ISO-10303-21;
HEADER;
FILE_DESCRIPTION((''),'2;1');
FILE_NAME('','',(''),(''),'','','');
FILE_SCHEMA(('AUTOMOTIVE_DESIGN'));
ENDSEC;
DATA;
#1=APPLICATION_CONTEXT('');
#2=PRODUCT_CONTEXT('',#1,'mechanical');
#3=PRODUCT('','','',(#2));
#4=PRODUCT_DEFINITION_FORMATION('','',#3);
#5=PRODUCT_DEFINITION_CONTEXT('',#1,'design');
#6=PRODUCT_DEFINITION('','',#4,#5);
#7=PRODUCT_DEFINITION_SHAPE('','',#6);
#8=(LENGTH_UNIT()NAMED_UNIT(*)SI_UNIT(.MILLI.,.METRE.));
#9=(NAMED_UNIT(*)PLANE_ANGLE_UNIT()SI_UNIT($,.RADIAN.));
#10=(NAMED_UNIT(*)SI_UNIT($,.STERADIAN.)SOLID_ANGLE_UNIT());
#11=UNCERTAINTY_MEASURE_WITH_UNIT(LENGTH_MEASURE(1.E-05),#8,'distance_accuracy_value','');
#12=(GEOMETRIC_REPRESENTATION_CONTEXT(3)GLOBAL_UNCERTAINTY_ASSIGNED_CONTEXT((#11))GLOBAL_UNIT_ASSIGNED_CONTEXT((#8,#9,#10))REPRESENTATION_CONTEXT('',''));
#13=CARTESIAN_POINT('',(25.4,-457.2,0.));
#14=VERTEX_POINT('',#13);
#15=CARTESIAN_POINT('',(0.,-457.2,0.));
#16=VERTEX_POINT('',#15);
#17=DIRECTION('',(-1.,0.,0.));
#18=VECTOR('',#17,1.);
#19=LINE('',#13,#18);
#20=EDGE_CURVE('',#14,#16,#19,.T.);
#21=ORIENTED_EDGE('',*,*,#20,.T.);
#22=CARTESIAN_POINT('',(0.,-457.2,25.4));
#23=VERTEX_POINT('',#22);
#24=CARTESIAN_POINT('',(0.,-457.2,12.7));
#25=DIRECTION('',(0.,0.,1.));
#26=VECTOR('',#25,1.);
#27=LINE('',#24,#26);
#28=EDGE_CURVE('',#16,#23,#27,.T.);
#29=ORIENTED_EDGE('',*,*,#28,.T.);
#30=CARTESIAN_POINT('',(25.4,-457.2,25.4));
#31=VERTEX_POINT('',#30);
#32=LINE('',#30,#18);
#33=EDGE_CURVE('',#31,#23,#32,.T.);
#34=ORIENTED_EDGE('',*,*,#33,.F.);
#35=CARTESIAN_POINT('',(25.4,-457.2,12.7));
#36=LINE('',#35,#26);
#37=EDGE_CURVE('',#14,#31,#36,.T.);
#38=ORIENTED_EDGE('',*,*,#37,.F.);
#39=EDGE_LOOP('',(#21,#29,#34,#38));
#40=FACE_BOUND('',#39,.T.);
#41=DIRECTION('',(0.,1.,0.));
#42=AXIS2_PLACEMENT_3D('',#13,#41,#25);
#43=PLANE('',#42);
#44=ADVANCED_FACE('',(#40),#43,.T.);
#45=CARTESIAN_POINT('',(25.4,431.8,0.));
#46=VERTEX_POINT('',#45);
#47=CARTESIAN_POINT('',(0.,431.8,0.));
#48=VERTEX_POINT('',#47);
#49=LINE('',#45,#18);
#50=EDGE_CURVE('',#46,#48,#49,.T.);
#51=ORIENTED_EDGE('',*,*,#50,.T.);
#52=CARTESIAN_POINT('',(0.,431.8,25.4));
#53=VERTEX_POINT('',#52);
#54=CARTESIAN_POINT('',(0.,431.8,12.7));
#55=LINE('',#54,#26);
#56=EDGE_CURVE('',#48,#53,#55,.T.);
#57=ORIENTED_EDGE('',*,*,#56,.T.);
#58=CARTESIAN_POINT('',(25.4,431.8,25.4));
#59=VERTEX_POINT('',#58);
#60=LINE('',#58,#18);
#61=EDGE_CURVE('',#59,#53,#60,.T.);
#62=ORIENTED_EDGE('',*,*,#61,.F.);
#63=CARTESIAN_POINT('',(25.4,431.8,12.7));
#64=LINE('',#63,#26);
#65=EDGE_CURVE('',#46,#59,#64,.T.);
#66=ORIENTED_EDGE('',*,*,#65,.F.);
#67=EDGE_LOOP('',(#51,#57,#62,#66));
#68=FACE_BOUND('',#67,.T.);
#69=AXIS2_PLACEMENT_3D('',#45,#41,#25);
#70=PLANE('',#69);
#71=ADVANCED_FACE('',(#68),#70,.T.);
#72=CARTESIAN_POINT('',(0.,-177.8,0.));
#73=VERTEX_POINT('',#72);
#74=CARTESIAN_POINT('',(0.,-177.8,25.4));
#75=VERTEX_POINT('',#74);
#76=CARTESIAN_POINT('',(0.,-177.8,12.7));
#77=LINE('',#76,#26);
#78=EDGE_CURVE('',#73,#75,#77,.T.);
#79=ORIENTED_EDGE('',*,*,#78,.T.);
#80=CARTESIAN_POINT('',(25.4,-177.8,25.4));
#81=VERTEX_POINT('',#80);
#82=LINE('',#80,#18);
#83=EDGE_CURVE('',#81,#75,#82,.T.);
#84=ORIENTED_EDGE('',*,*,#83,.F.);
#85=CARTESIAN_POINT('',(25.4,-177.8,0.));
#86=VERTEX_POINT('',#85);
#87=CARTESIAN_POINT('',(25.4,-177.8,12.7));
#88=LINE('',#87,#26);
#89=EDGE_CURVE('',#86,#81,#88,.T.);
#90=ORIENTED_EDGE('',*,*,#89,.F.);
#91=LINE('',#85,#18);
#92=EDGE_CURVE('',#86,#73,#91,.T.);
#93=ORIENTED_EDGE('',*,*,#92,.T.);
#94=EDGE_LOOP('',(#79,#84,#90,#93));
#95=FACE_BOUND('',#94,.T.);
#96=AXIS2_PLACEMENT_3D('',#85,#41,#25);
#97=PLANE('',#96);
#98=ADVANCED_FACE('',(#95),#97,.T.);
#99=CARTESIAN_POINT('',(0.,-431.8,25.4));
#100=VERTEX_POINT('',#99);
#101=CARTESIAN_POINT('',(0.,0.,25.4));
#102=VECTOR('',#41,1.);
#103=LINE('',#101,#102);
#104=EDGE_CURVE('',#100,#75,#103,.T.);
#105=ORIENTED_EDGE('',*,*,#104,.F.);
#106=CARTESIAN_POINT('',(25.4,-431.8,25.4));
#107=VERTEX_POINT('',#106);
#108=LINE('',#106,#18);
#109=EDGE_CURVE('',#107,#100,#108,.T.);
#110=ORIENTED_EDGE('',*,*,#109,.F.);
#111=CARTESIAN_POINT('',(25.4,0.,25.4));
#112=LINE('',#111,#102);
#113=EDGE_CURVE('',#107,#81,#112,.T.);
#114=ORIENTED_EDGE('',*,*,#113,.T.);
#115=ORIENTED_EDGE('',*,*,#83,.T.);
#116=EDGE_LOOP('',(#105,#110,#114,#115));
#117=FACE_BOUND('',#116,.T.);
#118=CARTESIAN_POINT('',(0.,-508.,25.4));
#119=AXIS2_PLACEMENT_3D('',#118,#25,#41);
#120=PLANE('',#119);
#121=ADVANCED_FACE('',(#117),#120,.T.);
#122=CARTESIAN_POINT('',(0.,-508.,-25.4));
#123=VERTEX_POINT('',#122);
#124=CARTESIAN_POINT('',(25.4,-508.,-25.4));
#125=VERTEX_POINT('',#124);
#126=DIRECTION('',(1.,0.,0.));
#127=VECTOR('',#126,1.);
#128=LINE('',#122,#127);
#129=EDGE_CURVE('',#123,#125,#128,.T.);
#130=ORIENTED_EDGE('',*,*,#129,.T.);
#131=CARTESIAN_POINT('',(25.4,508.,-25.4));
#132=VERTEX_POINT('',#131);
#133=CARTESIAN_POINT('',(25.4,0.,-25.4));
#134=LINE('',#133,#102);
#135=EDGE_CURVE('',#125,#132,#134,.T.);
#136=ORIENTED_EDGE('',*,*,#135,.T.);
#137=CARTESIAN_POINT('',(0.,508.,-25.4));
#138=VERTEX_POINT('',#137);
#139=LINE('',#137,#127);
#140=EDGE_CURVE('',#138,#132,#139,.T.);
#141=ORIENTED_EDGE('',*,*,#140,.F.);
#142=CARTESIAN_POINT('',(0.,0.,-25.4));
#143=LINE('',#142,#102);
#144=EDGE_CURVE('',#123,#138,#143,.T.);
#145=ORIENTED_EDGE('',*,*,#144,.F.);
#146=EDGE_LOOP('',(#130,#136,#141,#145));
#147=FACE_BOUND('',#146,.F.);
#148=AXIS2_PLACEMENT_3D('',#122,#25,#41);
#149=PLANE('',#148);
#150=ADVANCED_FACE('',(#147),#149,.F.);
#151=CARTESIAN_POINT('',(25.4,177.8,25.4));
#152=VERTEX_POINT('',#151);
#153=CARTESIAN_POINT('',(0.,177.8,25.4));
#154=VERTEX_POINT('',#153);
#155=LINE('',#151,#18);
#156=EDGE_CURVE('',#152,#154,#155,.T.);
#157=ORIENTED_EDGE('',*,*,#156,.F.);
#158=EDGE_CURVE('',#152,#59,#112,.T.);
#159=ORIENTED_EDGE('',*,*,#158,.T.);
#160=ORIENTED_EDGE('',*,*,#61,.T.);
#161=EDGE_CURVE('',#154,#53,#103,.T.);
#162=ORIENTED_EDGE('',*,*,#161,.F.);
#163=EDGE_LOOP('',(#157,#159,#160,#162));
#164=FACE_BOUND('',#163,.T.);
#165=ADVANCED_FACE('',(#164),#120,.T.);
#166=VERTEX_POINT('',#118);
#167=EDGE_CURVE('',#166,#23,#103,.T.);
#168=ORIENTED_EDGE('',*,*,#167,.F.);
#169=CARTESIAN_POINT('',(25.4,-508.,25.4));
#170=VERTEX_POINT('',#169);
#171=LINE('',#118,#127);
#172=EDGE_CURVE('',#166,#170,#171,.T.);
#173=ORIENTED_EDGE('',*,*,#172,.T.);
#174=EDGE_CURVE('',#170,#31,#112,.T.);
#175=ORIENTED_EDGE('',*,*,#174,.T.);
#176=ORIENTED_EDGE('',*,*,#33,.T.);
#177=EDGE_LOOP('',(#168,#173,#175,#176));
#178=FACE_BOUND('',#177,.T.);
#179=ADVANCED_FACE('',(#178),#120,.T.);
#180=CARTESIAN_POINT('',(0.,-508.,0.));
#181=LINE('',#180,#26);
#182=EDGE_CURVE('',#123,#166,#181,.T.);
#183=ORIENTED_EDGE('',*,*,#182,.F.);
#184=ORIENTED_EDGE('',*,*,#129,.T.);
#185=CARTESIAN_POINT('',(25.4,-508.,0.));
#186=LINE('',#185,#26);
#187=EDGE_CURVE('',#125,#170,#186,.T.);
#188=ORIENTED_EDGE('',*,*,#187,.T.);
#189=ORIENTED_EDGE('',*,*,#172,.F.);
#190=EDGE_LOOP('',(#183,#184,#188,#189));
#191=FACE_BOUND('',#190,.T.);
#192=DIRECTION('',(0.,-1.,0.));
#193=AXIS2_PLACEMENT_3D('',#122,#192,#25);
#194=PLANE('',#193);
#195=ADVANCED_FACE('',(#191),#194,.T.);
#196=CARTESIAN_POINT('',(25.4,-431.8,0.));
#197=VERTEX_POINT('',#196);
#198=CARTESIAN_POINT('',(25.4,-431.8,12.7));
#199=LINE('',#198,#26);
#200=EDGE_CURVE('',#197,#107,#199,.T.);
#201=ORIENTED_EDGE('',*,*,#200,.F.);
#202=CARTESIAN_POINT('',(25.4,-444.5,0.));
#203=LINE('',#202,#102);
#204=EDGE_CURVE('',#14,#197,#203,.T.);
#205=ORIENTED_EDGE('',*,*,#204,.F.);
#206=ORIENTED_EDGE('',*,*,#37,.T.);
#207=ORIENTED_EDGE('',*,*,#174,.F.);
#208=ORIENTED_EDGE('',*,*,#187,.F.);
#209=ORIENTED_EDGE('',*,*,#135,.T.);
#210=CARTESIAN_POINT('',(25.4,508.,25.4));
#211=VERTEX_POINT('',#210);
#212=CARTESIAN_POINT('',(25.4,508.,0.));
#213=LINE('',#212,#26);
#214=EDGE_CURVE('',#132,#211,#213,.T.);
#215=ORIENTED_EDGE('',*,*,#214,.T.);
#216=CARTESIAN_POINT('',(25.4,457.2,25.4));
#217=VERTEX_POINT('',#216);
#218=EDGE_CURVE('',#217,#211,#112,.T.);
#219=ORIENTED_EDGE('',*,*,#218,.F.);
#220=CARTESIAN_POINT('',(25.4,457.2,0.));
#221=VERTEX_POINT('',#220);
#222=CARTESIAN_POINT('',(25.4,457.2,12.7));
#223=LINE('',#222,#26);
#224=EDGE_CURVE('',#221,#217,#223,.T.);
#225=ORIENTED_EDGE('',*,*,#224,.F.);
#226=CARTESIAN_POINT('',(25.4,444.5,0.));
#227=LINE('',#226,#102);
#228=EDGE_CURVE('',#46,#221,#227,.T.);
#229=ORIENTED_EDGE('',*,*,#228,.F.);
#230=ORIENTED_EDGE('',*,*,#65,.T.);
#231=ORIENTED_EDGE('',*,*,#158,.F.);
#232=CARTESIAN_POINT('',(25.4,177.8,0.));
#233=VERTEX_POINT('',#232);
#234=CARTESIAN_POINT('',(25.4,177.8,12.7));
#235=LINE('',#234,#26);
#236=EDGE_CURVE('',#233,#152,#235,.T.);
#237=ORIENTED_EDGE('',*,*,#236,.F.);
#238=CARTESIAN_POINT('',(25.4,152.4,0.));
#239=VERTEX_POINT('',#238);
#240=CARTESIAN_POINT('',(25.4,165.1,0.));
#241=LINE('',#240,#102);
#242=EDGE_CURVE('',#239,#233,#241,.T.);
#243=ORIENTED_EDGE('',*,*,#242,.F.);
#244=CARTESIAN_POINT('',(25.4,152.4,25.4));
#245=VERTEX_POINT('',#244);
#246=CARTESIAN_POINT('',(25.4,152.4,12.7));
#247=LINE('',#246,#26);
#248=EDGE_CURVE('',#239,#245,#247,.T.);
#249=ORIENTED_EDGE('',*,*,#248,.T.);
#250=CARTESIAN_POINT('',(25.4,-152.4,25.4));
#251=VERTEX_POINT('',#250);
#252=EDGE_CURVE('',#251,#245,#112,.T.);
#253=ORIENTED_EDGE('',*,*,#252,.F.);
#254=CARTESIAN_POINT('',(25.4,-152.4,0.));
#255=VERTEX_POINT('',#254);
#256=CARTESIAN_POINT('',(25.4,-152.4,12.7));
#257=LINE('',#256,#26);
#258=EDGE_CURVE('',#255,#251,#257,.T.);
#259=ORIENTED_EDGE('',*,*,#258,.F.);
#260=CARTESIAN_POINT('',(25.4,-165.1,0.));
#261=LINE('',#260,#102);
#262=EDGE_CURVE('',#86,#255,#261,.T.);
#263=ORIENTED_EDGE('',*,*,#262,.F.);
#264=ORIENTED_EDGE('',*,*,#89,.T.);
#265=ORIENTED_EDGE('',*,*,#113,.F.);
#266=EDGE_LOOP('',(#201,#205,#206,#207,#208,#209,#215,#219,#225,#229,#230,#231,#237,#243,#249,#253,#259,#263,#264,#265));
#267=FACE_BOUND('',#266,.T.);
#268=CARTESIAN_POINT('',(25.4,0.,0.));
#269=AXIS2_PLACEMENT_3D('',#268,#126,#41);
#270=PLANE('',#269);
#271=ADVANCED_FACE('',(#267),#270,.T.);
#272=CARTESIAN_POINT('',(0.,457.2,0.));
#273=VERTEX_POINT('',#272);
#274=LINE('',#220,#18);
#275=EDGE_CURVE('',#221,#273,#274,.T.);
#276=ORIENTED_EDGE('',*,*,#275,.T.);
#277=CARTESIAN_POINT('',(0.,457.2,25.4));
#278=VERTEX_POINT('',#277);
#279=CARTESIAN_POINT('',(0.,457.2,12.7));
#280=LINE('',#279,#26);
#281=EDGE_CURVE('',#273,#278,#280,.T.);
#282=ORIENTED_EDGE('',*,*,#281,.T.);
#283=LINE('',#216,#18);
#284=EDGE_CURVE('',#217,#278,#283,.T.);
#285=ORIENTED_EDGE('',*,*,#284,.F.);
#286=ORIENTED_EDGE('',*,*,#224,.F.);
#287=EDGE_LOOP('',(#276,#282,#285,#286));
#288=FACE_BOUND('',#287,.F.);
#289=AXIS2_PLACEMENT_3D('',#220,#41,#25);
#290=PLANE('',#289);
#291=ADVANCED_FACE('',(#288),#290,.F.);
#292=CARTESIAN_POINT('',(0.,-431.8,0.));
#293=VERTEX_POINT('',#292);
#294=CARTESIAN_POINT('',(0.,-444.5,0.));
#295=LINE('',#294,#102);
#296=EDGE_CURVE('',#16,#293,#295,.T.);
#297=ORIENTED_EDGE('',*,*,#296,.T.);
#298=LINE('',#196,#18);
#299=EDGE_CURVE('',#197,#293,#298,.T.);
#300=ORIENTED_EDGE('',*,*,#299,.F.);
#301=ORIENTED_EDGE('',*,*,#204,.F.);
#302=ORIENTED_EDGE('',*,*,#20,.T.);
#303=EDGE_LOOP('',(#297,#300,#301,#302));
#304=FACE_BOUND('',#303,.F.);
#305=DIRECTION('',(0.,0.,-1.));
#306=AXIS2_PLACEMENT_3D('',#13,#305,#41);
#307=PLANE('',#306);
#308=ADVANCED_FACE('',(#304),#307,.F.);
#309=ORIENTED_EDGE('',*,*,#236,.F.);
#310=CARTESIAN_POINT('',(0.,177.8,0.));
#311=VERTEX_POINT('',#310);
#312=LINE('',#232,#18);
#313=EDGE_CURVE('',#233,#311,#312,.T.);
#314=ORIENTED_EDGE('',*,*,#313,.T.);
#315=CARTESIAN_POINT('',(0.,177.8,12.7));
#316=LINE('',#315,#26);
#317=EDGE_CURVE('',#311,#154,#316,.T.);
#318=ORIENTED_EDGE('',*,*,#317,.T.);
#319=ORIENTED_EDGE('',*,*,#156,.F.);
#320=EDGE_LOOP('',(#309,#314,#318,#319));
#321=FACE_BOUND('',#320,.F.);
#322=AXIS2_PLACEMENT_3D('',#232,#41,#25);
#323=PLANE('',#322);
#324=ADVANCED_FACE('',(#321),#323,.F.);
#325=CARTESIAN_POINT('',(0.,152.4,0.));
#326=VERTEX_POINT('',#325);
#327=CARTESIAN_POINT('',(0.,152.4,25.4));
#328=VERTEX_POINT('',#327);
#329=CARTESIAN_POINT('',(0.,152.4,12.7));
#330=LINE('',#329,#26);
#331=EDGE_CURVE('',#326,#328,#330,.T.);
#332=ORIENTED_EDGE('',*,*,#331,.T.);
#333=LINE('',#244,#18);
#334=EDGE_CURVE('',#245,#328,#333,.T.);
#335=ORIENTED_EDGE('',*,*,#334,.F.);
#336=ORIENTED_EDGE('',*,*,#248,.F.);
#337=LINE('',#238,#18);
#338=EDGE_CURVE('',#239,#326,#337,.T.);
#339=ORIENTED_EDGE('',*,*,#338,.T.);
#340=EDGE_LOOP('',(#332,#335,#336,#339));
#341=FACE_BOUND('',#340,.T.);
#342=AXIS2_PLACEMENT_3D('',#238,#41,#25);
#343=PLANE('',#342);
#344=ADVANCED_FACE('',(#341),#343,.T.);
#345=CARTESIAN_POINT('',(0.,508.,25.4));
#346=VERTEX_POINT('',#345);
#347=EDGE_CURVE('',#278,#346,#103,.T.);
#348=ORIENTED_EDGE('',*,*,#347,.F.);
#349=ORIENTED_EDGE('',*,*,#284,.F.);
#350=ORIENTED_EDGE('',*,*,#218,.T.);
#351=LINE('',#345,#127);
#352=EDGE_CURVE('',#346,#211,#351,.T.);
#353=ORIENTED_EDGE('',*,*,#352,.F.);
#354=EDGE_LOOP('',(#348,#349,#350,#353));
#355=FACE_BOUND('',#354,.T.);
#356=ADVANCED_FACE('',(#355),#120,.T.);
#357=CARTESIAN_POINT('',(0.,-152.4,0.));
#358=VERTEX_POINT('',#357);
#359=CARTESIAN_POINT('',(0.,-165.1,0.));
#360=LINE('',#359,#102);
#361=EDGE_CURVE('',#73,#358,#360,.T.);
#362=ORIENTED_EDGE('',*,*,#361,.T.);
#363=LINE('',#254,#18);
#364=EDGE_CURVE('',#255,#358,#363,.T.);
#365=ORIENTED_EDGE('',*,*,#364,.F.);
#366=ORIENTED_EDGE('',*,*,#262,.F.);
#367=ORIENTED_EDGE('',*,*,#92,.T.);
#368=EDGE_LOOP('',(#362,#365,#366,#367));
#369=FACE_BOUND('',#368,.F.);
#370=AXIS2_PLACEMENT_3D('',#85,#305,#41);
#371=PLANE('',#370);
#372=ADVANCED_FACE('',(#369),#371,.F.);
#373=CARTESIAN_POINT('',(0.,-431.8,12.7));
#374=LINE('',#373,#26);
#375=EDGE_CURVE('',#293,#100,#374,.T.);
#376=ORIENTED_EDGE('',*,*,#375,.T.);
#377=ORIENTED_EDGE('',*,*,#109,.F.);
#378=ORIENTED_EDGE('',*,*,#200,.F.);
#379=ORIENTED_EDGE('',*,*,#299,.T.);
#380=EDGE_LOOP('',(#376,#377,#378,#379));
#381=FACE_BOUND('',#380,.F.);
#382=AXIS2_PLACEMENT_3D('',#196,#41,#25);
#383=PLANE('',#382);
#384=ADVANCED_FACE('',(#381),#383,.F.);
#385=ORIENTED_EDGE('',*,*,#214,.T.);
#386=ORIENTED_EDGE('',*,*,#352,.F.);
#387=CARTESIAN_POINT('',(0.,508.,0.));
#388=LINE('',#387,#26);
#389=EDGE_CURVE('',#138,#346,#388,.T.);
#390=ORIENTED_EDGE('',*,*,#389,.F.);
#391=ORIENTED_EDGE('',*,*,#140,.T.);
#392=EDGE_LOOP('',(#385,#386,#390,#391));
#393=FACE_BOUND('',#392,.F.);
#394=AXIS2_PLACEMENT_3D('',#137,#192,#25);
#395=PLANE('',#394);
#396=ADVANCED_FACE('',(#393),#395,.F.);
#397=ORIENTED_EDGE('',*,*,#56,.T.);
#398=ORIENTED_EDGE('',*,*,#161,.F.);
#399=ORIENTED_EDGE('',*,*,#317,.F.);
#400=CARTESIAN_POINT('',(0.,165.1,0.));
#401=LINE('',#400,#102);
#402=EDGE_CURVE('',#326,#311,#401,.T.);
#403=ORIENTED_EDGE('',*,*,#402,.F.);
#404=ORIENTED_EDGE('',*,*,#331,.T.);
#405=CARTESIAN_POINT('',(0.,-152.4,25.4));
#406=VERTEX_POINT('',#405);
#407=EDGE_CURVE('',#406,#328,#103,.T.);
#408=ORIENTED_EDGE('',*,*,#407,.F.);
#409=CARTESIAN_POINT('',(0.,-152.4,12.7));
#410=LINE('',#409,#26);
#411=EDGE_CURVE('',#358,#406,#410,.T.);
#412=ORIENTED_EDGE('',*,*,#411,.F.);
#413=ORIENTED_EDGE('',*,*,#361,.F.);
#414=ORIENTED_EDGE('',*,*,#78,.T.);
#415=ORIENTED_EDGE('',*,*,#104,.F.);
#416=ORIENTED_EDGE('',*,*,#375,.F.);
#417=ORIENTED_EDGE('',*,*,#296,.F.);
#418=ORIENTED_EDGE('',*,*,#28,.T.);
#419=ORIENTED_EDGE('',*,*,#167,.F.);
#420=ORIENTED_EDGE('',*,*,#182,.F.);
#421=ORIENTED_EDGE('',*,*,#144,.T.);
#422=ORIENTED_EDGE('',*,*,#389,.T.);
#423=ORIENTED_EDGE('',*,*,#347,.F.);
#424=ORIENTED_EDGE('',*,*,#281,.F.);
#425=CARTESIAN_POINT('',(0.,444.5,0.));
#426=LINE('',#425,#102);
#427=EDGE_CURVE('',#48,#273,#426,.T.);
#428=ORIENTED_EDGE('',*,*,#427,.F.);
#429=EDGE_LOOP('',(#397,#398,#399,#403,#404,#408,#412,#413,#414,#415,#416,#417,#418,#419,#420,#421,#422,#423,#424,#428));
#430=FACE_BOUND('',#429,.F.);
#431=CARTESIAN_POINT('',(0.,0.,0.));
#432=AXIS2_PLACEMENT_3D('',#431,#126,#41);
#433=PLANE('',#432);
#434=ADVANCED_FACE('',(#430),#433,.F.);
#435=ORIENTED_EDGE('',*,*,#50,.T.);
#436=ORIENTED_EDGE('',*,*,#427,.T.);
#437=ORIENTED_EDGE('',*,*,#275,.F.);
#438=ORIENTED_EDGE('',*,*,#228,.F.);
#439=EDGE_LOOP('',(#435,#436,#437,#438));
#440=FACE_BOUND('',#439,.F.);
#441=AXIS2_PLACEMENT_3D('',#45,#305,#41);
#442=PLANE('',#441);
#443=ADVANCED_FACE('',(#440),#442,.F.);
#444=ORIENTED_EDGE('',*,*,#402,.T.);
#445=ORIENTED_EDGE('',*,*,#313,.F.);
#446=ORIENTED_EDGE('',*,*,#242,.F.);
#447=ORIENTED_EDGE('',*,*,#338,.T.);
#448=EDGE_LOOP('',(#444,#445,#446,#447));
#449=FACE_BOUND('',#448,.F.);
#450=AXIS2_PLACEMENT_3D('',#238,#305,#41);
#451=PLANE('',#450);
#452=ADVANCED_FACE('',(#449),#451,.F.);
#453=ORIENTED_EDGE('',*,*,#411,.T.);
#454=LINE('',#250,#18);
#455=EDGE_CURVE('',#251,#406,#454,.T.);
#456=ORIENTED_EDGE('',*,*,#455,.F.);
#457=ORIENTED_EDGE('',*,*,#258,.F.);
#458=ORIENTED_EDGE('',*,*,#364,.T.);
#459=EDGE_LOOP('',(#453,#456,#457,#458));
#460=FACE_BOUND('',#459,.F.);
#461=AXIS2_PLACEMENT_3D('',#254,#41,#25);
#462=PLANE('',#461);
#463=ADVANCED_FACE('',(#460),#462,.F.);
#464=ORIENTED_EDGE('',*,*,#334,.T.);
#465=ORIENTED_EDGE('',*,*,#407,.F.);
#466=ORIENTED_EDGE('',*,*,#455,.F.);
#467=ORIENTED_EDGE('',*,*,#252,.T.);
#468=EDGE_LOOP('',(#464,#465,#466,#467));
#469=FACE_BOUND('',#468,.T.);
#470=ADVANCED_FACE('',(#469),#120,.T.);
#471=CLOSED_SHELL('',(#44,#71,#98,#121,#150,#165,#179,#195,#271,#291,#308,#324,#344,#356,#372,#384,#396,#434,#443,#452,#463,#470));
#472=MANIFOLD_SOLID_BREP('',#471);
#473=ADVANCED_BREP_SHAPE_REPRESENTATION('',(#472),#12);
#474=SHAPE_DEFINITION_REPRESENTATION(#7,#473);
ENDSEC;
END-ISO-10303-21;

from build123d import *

# Parameters (mm, degrees)
F0_W     = 1016
F0_H     = 50.8
F1_DEPTH = 25.4
F2_W     = 25.4
F2_H     = 25.4
F3_DEPTH = 25.4
F4_W     = 25.4
F4_H     = 25.4
F5_DEPTH = 25.4


with BuildPart() as f1:
    # F0 (on Right) → F1 (new body)
    with BuildSketch(Plane.YZ):
        Rectangle(F0_W, F0_H)
    extrude(amount=F1_DEPTH)

    # F2 (on face) → F3 (cut)
    with BuildSketch(Plane.YZ.offset(25.4)):
        with Locations((-165.1, 12.7)):
            Rectangle(F2_W, F2_H)
        with Locations((165.1, 12.7)):
            Rectangle(F2_W, F2_H)
    extrude(amount=-F3_DEPTH, mode=Mode.SUBTRACT)

    # F4 (on face) → F5 (cut)
    with BuildSketch(Plane.YZ.offset(25.4)):
        with Locations((-444.5, 12.7)):
            Rectangle(F4_W, F4_H)
        with Locations((444.5, 12.7)):
            Rectangle(F4_W, F4_H)
    extrude(amount=-F5_DEPTH, mode=Mode.SUBTRACT)


solid = f1.part
